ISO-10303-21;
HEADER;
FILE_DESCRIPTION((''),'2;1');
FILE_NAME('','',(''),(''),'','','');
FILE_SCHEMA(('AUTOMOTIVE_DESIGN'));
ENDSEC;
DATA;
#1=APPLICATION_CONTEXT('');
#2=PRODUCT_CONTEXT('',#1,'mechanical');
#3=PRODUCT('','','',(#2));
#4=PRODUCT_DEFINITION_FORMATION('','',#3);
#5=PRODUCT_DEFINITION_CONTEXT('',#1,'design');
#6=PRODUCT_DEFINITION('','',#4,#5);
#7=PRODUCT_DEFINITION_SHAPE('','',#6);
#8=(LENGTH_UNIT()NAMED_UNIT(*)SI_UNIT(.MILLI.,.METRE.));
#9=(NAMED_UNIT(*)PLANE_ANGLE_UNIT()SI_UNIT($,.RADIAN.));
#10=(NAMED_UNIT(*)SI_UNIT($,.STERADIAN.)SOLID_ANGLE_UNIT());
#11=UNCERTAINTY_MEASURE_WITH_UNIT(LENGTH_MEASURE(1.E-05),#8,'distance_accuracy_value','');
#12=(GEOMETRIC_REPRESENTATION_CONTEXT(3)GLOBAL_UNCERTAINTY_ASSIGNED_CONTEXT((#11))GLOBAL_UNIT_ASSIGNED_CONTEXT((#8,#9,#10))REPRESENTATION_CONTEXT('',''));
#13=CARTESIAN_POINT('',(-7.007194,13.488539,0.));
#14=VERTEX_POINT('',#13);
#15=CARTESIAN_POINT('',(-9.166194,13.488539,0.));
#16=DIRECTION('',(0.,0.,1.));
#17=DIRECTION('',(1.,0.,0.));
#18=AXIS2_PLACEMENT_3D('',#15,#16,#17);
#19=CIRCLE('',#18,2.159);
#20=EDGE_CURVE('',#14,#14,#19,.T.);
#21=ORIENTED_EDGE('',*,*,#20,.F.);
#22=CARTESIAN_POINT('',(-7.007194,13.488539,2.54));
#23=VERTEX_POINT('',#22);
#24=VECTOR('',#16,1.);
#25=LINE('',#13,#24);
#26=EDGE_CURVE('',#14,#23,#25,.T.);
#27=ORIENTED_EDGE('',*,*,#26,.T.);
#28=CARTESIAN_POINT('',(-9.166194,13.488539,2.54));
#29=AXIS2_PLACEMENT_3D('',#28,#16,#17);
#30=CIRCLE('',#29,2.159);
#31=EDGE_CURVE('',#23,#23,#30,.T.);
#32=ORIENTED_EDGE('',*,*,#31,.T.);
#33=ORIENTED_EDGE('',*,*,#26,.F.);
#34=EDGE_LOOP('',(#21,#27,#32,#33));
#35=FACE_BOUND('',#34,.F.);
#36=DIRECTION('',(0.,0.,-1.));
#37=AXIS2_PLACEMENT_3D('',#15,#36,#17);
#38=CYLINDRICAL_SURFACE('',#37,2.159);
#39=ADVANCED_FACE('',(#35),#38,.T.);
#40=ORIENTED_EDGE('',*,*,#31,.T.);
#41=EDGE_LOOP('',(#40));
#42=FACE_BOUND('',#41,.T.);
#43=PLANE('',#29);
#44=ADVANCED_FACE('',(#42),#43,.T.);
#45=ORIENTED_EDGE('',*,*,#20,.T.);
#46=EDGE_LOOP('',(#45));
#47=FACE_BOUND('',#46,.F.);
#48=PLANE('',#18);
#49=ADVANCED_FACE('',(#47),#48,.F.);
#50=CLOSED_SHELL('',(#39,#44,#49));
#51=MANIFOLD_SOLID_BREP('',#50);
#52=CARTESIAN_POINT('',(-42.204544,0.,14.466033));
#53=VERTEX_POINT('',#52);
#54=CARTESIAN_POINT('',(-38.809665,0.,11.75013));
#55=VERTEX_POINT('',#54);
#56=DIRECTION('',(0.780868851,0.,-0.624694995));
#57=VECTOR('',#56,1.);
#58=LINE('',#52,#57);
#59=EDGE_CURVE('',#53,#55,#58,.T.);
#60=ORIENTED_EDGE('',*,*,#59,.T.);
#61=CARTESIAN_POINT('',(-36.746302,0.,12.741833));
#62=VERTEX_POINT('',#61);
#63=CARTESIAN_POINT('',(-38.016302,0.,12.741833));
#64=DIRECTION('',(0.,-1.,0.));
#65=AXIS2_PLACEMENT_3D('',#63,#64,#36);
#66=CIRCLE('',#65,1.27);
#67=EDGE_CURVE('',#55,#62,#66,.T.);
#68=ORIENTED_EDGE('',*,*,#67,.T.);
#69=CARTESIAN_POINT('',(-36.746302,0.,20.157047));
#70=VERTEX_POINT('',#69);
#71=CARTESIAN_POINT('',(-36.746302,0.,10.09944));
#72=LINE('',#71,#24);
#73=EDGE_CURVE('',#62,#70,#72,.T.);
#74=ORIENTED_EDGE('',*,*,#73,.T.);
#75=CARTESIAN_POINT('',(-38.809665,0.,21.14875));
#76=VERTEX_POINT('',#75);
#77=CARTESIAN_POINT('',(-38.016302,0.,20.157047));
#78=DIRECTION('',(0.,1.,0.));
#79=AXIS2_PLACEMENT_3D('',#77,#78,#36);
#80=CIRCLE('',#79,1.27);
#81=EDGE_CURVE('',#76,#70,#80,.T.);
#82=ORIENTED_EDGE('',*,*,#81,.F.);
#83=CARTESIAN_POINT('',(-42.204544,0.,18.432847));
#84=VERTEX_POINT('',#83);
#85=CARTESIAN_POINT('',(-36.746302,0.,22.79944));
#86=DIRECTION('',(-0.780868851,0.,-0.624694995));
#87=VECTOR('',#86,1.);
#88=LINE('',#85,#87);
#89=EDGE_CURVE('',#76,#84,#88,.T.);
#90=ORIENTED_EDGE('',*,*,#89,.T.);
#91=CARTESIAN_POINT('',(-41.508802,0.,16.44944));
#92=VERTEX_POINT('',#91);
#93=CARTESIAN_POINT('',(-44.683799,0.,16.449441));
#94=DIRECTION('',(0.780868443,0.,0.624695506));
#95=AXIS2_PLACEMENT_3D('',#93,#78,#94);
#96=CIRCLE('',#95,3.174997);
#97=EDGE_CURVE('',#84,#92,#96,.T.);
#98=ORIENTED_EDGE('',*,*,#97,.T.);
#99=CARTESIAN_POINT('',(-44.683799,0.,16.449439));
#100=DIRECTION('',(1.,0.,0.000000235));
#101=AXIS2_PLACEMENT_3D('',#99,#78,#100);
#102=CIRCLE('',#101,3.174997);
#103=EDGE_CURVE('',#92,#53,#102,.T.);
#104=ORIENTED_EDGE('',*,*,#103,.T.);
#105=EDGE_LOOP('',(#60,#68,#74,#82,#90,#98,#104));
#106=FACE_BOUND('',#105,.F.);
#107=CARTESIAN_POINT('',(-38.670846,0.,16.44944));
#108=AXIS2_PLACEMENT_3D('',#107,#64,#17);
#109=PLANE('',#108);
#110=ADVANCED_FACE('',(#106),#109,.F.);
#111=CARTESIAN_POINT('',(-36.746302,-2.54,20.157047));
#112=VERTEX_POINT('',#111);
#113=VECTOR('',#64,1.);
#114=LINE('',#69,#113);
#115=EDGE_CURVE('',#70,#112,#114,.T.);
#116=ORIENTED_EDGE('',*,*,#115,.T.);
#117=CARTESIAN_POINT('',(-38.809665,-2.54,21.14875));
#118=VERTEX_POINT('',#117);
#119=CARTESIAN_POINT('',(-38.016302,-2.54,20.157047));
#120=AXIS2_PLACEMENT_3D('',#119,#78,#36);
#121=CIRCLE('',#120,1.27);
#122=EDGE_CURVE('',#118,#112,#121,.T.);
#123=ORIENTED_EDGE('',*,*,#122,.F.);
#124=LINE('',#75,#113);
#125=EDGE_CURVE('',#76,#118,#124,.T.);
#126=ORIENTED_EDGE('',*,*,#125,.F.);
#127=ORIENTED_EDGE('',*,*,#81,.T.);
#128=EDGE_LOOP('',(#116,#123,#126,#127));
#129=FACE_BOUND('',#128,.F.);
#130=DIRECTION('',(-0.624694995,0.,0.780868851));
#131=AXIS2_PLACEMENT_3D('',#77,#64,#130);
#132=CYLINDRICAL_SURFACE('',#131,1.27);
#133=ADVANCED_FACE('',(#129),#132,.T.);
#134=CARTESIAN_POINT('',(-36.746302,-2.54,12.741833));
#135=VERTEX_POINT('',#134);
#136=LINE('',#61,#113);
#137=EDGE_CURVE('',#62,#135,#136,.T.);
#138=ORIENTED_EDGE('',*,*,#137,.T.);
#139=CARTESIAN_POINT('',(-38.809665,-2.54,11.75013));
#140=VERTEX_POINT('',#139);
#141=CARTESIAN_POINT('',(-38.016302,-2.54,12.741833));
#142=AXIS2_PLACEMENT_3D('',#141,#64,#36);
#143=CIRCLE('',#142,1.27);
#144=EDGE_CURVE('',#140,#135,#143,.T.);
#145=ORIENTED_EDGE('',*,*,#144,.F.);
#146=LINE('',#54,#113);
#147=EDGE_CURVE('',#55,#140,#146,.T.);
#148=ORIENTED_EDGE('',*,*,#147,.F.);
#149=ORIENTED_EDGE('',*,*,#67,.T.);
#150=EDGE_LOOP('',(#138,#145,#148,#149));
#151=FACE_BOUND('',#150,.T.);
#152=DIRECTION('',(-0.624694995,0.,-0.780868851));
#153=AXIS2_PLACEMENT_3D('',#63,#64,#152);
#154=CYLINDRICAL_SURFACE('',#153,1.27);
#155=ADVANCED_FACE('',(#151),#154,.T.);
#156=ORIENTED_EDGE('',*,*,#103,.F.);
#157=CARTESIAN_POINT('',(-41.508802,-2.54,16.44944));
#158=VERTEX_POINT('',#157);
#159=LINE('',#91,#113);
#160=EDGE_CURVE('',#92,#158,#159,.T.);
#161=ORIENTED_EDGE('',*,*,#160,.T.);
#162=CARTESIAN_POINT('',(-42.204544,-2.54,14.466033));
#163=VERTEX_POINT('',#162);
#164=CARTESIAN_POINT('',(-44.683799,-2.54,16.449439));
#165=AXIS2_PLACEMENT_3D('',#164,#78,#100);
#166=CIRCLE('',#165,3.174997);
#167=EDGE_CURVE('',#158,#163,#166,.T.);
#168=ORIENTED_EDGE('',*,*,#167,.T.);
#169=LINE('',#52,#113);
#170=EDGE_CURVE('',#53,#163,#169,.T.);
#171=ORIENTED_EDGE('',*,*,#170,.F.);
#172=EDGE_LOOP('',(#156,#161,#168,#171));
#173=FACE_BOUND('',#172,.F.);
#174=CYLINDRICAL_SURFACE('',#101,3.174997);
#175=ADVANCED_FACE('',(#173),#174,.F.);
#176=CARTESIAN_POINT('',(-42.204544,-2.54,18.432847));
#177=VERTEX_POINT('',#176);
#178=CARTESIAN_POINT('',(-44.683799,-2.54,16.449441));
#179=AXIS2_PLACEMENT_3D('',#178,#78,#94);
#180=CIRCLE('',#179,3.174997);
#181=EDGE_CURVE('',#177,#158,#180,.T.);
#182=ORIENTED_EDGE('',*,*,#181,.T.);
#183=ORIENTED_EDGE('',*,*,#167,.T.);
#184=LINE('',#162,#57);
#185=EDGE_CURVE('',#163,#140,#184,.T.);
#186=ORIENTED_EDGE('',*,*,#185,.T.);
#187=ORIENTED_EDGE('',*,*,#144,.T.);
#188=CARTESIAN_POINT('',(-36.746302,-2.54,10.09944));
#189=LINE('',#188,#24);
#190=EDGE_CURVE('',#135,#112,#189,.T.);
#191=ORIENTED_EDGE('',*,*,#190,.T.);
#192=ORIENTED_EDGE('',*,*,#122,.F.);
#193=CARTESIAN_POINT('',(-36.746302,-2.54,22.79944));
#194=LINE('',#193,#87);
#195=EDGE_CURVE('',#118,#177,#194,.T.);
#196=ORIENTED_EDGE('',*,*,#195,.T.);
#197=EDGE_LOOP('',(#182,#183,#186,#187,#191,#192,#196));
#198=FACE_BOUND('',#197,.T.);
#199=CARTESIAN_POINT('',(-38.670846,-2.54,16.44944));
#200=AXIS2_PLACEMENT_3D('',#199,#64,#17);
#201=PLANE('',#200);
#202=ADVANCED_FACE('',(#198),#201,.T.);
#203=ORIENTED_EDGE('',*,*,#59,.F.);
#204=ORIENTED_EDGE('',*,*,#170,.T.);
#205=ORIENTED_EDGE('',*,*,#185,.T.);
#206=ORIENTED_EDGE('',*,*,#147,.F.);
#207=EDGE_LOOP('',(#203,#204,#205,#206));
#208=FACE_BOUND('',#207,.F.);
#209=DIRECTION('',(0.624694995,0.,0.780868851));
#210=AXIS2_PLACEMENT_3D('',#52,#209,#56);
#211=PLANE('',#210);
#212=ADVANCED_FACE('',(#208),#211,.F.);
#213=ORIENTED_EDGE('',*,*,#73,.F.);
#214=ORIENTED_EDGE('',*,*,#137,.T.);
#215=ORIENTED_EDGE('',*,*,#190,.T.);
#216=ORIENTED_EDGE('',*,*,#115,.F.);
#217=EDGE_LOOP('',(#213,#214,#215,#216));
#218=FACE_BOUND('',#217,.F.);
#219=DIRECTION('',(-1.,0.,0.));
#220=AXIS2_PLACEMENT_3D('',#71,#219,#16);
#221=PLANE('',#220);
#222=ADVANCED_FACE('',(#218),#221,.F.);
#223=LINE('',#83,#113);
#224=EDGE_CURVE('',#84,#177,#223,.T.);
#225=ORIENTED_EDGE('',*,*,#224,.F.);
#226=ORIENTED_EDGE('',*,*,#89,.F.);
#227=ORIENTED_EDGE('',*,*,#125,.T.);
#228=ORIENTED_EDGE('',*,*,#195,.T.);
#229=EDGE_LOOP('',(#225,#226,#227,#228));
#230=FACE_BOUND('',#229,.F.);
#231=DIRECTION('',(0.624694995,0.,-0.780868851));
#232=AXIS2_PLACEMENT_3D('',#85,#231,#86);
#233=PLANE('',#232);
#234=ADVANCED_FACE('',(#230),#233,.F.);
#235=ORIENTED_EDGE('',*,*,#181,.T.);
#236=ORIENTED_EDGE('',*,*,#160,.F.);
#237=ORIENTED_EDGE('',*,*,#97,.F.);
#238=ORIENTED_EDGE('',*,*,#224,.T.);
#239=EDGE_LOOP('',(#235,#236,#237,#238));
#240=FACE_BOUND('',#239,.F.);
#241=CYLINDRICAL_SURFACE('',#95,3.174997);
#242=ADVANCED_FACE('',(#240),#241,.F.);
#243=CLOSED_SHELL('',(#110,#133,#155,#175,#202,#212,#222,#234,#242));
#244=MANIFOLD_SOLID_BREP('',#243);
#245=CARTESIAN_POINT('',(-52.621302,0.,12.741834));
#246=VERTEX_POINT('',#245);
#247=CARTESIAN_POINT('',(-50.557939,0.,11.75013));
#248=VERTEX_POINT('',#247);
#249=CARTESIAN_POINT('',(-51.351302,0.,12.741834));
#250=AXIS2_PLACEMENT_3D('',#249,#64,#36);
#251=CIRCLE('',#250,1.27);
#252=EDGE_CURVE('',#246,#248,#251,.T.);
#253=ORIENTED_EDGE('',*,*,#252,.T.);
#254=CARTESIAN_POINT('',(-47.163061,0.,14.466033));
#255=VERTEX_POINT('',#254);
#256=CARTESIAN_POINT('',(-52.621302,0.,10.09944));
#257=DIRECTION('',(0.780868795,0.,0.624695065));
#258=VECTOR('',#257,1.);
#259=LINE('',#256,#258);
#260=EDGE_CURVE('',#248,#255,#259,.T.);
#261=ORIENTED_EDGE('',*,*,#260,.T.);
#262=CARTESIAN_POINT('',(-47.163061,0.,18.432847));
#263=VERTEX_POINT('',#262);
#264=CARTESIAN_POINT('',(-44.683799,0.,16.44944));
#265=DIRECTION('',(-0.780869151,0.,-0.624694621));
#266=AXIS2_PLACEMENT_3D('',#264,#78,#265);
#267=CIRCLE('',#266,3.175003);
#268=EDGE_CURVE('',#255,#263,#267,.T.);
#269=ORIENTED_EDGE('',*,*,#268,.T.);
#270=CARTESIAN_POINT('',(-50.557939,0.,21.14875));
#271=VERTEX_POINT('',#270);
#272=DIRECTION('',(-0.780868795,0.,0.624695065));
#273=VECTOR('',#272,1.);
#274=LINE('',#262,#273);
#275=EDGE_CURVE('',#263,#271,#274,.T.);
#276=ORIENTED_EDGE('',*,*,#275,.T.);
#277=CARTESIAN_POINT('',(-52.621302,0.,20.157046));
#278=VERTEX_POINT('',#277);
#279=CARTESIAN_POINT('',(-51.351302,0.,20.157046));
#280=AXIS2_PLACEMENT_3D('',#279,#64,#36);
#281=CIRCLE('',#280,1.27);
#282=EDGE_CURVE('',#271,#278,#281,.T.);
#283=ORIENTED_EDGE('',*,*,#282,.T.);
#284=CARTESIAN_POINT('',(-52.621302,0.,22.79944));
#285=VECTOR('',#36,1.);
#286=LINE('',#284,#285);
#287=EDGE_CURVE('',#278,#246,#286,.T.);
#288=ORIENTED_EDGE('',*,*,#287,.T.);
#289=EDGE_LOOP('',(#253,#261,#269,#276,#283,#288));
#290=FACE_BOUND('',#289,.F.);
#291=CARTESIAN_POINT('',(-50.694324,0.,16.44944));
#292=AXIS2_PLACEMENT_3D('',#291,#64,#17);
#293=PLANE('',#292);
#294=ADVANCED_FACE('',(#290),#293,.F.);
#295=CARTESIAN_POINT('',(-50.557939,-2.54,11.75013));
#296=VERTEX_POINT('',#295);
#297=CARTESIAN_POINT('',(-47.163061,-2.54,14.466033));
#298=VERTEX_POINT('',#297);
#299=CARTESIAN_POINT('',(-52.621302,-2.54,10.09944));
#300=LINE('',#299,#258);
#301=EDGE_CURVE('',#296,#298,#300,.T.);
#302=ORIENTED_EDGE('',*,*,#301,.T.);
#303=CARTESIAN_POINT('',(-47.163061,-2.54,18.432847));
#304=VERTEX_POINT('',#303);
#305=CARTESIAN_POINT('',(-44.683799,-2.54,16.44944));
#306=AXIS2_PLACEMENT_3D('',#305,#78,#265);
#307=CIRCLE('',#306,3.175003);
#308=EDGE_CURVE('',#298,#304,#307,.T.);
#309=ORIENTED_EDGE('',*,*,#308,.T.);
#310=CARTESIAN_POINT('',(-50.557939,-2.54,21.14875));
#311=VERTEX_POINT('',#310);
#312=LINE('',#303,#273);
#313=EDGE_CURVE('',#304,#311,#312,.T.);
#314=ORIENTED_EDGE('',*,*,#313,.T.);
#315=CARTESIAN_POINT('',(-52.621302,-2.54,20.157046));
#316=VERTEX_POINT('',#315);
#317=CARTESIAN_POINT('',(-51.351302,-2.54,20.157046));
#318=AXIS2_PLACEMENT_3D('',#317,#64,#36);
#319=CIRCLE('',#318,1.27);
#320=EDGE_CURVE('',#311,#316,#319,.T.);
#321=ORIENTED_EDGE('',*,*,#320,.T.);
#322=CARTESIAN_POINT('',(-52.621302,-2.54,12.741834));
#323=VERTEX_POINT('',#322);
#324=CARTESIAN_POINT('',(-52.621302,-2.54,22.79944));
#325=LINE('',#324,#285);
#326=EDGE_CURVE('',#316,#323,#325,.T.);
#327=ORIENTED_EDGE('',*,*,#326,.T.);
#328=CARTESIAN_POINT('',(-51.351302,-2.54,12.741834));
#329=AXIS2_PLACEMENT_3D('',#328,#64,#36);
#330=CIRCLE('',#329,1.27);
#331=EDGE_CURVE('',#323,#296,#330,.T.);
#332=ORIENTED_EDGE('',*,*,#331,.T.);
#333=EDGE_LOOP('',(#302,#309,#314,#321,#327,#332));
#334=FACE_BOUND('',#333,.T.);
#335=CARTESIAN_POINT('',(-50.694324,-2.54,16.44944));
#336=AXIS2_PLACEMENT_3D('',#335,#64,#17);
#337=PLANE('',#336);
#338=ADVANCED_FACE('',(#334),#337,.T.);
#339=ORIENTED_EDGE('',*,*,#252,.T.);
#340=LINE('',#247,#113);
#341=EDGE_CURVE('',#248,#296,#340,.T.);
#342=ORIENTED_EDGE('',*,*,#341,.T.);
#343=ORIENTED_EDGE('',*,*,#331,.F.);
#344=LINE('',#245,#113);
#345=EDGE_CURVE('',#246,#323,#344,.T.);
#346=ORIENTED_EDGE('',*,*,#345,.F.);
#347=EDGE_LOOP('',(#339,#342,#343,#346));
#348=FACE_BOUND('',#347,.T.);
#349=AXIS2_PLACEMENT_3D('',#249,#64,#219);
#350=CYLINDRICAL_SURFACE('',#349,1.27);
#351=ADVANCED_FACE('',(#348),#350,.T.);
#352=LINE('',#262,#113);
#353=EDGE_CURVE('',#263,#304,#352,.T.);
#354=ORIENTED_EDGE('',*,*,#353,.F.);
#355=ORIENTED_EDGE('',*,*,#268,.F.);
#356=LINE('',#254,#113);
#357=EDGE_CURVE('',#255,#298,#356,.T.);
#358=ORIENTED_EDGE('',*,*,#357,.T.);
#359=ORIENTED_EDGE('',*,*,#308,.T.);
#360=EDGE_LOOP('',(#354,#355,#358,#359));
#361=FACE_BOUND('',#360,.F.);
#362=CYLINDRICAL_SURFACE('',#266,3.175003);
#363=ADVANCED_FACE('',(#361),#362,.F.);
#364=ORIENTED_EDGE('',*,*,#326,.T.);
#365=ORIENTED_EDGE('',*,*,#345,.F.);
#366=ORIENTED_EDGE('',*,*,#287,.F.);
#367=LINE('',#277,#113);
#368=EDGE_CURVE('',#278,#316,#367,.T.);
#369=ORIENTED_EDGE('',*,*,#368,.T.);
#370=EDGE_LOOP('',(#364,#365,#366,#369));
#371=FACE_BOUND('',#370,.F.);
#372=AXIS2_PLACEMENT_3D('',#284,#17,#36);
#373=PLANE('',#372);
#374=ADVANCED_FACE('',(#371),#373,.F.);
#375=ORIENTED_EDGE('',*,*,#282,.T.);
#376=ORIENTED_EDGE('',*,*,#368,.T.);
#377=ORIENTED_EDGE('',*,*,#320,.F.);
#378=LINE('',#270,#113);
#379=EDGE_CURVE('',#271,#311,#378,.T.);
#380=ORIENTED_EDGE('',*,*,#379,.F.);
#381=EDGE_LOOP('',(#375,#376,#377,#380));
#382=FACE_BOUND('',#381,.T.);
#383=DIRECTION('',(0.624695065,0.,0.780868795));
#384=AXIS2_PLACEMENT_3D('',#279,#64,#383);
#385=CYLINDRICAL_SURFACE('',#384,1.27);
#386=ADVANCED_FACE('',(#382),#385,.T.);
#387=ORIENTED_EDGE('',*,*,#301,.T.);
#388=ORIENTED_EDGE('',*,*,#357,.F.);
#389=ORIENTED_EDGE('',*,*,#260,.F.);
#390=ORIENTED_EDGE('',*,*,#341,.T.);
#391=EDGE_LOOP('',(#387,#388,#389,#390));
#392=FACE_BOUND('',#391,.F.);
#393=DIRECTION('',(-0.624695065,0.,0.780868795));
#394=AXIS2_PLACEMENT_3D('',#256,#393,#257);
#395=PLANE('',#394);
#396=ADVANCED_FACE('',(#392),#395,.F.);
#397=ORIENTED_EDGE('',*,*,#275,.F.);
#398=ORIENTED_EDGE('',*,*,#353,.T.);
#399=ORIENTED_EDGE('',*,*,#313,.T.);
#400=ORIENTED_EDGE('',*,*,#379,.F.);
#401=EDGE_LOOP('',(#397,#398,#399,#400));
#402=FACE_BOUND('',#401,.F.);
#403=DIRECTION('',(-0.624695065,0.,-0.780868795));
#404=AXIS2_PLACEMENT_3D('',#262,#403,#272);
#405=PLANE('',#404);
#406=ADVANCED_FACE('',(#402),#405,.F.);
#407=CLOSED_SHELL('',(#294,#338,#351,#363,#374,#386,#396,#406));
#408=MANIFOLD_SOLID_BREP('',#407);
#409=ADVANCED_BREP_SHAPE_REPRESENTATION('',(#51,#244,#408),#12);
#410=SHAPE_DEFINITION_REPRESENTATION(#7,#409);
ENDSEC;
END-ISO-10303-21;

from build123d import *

# Parameters (mm, degrees)
F1_DEPTH = 2.54
F2_R     = 1.27
F3_R     = 2.159
F4_DEPTH = 2.54


with BuildPart() as f1:
    # F0 (on Front) → F1 (new body)
    with BuildSketch(Plane.XZ):
        with BuildLine():
            Line((-36.746302, 22.79944), (-42.204544, 18.432847))
            ThreePointArc((-42.204544, 18.432847), (-41.687782, 17.500387), (-41.508802, 16.44944))
            ThreePointArc((-41.508802, 16.44944), (-41.687782, 15.398493), (-42.204544, 14.466033))
            Line((-42.204544, 14.466033), (-36.746302, 10.09944))
            Line((-36.746302, 10.09944), (-36.746302, 22.79944))
        make_face()
        with BuildLine():
            Line((-47.163061, 18.432847), (-52.621302, 22.79944))
            Line((-52.621302, 22.79944), (-52.621302, 10.09944))
            Line((-52.621302, 10.09944), (-47.163061, 14.466033))
            ThreePointArc((-47.163061, 14.466033), (-47.858802, 16.44944), (-47.163061, 18.432847))
        make_face()
    extrude(amount=F1_DEPTH)

    # F2
    f2_edges = [f1.edges().sort_by_distance(p)[0] for p in [
        (-52.621302, -1.27, 10.09944),
        (-36.746302, -1.27, 10.09944),
        (-36.746302, -1.27, 22.79944),
        (-52.621302, -1.27, 22.79944),
    ]]
    fillet(f2_edges, radius=F2_R)


with BuildPart() as f4:
    # F3 (on Top) → F4 (new body)
    with BuildSketch(Plane.XY):
        with Locations((-9.166194, 13.488539)):
            Circle(F3_R)
    extrude(amount=F4_DEPTH)


solid = Compound([f1.part, f4.part])
